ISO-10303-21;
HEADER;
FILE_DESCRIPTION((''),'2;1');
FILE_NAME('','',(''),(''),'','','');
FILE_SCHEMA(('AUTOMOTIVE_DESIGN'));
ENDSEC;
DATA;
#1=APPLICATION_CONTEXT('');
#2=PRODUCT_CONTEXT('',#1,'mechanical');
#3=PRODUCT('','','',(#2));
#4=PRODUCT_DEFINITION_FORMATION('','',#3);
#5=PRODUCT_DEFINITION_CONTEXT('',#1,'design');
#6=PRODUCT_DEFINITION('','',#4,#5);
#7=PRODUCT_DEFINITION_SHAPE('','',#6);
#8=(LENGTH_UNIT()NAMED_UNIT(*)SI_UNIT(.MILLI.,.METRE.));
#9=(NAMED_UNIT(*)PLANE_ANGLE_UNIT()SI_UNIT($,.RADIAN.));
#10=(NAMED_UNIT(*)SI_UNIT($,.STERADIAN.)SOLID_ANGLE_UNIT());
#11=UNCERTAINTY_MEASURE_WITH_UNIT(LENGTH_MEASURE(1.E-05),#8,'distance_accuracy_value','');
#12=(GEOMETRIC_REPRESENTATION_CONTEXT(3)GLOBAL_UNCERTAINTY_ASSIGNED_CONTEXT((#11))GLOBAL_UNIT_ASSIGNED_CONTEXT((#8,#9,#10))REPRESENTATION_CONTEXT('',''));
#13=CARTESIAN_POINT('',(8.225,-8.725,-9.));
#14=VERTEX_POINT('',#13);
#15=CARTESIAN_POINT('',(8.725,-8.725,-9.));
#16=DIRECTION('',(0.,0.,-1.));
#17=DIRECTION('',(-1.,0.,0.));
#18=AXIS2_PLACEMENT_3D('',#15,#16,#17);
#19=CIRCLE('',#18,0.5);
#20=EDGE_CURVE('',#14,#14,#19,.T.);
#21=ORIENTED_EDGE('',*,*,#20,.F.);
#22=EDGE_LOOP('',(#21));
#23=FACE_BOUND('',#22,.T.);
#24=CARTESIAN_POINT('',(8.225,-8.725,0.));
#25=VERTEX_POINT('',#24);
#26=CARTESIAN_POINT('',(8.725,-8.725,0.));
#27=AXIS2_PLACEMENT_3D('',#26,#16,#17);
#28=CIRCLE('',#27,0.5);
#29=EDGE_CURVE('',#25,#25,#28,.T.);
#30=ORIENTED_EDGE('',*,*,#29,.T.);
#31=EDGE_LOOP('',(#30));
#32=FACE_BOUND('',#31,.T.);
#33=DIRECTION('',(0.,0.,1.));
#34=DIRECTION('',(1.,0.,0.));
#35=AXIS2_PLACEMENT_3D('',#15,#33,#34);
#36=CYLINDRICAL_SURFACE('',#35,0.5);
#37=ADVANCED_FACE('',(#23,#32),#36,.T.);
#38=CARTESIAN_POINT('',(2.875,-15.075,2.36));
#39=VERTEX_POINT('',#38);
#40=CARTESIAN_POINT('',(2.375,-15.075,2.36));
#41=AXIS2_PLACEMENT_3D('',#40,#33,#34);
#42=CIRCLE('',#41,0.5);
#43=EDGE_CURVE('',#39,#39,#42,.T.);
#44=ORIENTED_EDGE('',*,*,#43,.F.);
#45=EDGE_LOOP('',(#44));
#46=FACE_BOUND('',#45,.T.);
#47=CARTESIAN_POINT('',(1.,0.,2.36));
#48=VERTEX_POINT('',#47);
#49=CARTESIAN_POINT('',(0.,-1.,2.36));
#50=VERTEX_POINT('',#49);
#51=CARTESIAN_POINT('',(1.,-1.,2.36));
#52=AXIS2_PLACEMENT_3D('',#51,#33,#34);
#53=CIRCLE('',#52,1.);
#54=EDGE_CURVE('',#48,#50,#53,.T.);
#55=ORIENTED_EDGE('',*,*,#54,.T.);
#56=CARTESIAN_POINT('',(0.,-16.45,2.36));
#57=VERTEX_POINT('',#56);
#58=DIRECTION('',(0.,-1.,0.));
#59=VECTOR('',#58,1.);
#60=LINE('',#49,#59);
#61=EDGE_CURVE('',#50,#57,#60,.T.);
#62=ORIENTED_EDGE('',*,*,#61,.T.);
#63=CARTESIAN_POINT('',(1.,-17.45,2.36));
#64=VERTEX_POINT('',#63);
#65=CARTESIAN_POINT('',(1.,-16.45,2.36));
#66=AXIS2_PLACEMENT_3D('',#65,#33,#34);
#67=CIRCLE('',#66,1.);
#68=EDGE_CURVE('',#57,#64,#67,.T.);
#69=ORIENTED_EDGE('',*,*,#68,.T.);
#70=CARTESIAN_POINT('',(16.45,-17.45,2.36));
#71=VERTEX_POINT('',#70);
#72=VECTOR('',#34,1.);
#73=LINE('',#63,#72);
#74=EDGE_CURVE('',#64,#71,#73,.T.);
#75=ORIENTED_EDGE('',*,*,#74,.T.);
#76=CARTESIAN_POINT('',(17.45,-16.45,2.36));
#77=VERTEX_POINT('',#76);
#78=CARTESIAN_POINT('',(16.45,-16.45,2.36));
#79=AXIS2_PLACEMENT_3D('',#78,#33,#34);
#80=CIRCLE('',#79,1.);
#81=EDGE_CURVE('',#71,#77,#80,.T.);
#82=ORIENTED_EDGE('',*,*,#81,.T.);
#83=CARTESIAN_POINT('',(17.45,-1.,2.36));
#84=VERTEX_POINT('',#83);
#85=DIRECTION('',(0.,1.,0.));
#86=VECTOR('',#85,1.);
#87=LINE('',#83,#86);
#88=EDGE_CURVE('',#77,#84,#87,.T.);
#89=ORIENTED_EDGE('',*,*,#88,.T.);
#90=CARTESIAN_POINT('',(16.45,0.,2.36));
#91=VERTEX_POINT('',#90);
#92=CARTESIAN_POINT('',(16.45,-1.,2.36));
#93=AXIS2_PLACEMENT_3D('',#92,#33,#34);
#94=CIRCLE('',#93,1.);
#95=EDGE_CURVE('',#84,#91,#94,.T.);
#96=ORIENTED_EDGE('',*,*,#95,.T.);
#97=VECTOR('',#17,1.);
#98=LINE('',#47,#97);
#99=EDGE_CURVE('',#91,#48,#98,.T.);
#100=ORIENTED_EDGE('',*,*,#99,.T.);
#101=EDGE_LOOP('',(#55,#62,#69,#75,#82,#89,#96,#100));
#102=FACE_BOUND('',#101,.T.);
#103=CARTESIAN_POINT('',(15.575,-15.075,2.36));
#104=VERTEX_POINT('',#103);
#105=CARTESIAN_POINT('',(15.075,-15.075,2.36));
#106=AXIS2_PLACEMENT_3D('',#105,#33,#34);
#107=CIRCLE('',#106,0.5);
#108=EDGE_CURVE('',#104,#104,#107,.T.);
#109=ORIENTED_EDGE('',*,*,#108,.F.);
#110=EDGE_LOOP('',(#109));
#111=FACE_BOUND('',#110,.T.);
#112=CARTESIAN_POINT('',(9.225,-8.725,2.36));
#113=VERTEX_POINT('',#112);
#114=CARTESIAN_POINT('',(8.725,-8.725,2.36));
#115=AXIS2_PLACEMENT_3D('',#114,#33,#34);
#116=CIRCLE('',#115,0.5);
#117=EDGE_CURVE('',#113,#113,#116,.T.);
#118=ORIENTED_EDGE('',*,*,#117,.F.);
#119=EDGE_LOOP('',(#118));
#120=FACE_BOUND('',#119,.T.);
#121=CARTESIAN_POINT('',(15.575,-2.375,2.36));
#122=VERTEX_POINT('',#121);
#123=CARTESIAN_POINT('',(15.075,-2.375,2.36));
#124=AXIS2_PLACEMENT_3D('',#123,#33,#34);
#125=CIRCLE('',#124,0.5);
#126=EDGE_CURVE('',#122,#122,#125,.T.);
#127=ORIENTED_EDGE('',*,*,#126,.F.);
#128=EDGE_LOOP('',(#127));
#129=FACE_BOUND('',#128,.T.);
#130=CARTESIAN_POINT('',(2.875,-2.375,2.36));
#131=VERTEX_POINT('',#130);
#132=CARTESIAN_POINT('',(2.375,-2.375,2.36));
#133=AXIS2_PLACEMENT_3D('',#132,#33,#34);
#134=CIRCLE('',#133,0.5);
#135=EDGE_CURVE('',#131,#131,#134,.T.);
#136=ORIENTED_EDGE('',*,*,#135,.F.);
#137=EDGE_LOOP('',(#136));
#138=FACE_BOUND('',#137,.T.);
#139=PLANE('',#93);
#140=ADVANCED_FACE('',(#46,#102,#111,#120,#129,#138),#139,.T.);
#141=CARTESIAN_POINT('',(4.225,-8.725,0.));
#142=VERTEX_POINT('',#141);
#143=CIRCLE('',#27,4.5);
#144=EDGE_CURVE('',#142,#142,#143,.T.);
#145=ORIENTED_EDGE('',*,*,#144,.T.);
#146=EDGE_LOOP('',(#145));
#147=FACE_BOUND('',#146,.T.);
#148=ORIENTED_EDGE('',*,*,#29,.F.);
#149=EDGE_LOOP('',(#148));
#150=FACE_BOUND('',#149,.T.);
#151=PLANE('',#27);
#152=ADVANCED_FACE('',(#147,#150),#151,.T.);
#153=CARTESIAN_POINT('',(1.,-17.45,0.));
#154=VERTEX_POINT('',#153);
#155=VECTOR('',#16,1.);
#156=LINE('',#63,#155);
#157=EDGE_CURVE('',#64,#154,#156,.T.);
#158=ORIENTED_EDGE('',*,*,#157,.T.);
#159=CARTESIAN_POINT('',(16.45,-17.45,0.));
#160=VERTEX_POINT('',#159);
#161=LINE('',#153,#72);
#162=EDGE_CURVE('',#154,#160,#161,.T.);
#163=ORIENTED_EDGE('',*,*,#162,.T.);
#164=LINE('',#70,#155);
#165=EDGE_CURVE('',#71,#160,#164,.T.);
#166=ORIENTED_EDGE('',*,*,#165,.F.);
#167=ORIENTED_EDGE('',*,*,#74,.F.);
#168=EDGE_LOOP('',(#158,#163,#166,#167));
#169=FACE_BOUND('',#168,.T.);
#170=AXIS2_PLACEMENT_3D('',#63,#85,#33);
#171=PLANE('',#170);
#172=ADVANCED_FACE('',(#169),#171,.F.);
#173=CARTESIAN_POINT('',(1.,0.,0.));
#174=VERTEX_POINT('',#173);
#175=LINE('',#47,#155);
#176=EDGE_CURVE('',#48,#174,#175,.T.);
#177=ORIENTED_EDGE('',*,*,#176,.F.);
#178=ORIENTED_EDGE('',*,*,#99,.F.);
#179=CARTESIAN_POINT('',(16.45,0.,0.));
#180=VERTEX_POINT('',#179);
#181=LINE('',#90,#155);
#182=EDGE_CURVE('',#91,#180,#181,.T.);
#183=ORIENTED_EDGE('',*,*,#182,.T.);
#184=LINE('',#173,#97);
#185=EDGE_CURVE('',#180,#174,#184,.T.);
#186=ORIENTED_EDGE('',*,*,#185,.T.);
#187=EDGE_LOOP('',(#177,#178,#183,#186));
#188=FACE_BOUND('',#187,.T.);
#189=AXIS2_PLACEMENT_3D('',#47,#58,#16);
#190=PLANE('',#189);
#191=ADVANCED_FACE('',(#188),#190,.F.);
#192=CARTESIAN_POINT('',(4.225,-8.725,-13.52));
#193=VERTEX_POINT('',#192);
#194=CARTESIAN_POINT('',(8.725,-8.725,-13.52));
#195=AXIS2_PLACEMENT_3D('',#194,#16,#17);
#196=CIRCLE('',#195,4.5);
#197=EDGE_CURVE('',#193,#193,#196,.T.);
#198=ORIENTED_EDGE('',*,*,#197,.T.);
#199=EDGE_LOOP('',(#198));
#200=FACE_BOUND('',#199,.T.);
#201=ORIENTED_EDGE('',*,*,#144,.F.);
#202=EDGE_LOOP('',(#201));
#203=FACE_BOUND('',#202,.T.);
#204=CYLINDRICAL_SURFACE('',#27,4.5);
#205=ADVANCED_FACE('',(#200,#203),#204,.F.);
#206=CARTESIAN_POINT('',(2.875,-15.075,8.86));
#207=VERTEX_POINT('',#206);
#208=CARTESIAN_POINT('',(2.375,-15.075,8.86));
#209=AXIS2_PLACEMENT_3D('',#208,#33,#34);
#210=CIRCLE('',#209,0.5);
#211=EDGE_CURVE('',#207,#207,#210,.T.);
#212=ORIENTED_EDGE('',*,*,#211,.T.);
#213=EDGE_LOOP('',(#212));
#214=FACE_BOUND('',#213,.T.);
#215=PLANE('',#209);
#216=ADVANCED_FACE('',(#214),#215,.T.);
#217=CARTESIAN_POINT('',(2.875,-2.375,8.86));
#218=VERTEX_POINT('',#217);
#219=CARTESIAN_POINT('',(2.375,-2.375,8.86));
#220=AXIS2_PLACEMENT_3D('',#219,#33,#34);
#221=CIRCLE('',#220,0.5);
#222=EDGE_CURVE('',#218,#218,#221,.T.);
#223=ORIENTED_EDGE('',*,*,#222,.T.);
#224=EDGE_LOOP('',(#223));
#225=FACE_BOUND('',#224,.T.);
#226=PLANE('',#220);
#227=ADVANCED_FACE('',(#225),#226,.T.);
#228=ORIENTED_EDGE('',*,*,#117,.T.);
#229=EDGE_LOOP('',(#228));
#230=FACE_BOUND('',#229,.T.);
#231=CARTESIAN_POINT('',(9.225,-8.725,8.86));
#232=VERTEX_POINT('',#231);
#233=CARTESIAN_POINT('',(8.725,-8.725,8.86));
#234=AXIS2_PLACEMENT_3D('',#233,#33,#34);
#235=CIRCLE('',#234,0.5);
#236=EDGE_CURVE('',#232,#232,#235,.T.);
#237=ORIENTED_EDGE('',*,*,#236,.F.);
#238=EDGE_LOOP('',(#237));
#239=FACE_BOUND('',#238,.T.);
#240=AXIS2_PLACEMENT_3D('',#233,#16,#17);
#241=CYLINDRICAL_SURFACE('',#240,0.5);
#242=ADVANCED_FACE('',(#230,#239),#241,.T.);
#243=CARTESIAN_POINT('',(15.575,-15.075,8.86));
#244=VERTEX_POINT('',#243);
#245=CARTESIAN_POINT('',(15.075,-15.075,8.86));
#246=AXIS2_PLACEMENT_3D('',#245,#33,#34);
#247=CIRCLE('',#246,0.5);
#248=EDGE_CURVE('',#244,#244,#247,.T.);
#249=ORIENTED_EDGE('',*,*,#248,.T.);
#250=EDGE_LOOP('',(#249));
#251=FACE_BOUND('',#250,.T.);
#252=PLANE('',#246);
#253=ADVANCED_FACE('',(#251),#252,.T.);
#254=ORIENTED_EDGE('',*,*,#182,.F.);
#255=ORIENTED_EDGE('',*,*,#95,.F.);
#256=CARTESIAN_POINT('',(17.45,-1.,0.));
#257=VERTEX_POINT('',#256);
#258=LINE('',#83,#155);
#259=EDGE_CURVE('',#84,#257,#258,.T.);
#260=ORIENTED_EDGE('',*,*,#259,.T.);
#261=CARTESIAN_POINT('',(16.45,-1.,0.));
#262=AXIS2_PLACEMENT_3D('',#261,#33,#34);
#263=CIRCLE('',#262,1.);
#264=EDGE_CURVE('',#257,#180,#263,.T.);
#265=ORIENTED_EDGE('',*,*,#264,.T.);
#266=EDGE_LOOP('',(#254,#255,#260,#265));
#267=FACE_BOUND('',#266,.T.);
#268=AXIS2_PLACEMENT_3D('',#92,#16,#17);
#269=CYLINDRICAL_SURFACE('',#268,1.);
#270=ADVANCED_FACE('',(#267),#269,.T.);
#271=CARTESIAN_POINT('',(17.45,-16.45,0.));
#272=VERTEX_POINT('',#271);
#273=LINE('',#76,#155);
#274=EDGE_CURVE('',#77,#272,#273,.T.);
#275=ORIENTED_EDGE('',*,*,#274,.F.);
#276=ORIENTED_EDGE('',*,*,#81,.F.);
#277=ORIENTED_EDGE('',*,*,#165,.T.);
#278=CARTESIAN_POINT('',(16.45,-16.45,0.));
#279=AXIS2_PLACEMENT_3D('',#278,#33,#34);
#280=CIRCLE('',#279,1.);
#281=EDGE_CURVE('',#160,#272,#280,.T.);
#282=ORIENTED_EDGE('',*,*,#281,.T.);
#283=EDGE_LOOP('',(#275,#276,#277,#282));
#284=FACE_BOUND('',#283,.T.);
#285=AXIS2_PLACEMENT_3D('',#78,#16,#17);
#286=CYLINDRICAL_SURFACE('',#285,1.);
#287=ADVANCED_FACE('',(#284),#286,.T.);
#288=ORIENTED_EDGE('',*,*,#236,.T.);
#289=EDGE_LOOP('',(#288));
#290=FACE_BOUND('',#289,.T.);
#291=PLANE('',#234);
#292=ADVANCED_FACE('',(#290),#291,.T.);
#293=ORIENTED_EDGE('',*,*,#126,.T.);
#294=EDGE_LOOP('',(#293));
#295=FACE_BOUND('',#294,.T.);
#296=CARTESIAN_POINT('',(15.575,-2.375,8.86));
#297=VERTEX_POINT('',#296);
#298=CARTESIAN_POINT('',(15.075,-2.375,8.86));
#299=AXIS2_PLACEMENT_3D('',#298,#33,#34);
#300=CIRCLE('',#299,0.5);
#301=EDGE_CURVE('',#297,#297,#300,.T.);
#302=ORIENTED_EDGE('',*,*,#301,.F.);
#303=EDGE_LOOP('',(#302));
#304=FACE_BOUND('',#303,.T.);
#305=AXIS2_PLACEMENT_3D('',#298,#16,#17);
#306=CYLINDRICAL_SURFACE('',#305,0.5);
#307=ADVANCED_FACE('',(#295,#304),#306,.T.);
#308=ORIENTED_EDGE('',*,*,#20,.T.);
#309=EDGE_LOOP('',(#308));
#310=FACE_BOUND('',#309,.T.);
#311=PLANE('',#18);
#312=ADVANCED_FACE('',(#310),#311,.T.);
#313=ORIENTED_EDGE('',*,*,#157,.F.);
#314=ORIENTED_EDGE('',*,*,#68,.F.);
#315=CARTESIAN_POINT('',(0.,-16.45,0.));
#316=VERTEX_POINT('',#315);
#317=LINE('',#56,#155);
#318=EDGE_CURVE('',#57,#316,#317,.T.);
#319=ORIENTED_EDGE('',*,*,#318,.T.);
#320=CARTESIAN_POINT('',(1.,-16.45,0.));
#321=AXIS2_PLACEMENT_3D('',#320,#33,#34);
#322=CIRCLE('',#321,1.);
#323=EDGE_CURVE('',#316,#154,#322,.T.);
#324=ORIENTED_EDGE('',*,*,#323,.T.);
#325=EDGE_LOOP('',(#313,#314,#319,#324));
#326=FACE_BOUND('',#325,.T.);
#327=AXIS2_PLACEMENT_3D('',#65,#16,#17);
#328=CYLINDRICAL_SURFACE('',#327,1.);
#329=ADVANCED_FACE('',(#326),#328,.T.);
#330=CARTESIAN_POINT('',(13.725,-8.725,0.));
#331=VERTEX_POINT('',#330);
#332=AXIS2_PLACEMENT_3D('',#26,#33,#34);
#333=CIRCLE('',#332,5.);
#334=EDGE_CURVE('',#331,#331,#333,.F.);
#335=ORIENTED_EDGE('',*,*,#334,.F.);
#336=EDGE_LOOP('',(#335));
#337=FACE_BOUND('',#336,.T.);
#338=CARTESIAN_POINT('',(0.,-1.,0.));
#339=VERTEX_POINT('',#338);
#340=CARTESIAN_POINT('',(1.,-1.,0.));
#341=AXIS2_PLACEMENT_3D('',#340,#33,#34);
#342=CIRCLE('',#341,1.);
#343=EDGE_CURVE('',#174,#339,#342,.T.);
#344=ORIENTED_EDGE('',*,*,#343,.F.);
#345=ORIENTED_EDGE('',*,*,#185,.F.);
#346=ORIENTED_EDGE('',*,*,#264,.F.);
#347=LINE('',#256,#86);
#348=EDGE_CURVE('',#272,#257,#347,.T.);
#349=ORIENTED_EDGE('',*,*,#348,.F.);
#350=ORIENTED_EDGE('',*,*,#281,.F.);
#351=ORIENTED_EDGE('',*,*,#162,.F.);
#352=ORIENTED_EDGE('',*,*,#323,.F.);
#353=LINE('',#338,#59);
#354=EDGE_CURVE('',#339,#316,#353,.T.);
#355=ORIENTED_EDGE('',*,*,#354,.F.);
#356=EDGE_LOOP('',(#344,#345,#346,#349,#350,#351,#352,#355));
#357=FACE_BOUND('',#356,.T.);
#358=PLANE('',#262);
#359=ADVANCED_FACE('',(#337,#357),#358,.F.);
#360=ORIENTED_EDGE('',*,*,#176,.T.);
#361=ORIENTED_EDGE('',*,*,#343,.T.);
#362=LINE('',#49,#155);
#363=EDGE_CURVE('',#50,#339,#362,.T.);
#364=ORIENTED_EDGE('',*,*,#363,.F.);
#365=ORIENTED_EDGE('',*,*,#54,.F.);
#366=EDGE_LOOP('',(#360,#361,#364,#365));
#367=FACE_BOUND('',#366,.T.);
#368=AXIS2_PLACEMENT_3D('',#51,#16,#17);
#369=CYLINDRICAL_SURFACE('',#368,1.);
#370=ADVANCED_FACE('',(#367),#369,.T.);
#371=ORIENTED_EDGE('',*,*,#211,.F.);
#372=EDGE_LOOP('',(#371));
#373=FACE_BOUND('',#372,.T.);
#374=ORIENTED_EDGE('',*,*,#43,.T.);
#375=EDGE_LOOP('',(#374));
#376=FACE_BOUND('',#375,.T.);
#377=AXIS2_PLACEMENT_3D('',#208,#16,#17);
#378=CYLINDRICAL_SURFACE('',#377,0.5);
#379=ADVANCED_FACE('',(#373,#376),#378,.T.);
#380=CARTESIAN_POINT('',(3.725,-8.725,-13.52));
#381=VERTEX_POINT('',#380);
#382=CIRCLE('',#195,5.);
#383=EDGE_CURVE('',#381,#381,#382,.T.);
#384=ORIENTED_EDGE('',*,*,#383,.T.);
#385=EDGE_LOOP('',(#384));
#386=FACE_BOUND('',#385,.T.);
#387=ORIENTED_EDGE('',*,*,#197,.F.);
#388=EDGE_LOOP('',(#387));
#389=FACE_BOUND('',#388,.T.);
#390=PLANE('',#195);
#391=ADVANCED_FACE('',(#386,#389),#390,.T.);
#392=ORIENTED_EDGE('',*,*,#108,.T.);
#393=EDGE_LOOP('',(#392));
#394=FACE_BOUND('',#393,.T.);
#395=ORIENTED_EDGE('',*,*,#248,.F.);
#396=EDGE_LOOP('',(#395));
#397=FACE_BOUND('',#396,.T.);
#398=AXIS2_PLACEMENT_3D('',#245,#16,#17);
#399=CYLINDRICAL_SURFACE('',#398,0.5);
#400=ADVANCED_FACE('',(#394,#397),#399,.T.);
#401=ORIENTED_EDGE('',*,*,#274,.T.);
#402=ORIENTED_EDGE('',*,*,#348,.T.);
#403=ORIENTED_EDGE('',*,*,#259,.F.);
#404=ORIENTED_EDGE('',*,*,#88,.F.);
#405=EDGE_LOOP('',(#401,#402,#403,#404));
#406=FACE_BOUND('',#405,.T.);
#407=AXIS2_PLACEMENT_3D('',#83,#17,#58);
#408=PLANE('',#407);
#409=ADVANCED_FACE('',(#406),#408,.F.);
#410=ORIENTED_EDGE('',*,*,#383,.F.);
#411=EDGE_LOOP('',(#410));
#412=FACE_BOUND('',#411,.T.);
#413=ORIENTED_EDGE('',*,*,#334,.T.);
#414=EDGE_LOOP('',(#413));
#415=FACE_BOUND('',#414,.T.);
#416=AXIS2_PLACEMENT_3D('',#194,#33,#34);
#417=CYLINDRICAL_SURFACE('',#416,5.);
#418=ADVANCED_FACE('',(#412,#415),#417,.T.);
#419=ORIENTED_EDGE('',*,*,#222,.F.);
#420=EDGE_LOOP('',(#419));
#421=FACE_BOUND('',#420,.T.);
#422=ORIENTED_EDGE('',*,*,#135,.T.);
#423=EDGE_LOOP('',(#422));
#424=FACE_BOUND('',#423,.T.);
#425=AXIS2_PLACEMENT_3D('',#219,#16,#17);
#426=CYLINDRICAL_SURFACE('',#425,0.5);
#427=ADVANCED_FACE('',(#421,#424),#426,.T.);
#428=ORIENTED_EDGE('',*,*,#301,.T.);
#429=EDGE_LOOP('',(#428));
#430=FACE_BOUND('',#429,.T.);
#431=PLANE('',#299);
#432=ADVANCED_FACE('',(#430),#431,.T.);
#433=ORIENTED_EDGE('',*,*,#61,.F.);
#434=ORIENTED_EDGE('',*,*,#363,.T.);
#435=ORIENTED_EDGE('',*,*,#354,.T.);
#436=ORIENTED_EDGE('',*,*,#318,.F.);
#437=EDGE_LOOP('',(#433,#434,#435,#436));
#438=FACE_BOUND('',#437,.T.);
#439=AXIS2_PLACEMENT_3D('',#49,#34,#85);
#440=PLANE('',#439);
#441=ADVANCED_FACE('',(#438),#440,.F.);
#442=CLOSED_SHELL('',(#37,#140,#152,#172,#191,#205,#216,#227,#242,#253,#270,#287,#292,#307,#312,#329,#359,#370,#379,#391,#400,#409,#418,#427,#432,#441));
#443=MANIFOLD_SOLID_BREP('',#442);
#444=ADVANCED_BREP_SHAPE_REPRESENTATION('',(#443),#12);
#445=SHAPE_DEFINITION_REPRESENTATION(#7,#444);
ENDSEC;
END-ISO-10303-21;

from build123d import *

# Parameters (mm, degrees)
EXTRUDE1_DEPTH     = 2.36
SKETCH2_R          = 5
EXTRUDE2_DEPTH     = 13.52
SKETCH3_R          = 4.5
CUT_EXTRUDE1_DEPTH = 13.52
SKETCH4_R          = 0.5
EXTRUDE3_DEPTH     = 6.5
SKETCH5_R          = 0.5
EXTRUDE4_DEPTH     = 9


with BuildPart() as part:
    # Sketch1 → Extrude1 (new body)
    with BuildSketch(Plane.XY):
        with BuildLine():
            Line((1, 0), (16.45, 0))
            ThreePointArc((16.45, 0), (17.157106781, -0.292893219), (17.45, -1))
            Line((17.45, -1), (17.45, -16.45))
            ThreePointArc((17.45, -16.45), (17.157106781, -17.157106781), (16.45, -17.45))
            Line((16.45, -17.45), (1, -17.45))
            ThreePointArc((1, -17.45), (0.292893219, -17.157106781), (0, -16.45))
            Line((0, -16.45), (0, -1))
            ThreePointArc((0, -1), (0.292893219, -0.292893219), (1, 0))
        make_face()
    extrude(amount=EXTRUDE1_DEPTH)

    # Sketch2 → Extrude2 (add)
    with BuildSketch(Plane(origin=(0, 0, 0), x_dir=(-1, 0, 0), z_dir=(0, 0, -1))):
        with Locations((-8.725, -8.725)):
            Circle(SKETCH2_R)
    extrude(amount=EXTRUDE2_DEPTH)

    # Sketch3 → Cut-Extrude1 (cut)
    with BuildSketch(Plane(origin=(0, 0, -13.52), x_dir=(-1, 0, 0), z_dir=(0, 0, -1))):
        with Locations((-8.725, -8.725)):
            Circle(SKETCH3_R)
    extrude(amount=-CUT_EXTRUDE1_DEPTH, mode=Mode.SUBTRACT)

    # Sketch4 → Extrude3 (add)
    with BuildSketch(Plane.XY.offset(2.36)):
        with Locations((8.725, -8.725)):
            Circle(SKETCH4_R)
        with Locations((15.075, -2.375)):
            Circle(SKETCH4_R)
        with Locations((2.375, -2.375)):
            Circle(SKETCH4_R)
        with Locations((2.375, -15.075)):
            Circle(SKETCH4_R)
        with Locations((15.075, -15.075)):
            Circle(SKETCH4_R)
    extrude(amount=EXTRUDE3_DEPTH)

    # Sketch5 → Extrude4 (add)
    with BuildSketch(Plane(origin=(0, 0, 0), x_dir=(-1, 0, 0), z_dir=(0, 0, -1))):
        with Locations((-8.725, -8.725)):
            Circle(SKETCH5_R)
    extrude(amount=EXTRUDE4_DEPTH)


solid = part.part
